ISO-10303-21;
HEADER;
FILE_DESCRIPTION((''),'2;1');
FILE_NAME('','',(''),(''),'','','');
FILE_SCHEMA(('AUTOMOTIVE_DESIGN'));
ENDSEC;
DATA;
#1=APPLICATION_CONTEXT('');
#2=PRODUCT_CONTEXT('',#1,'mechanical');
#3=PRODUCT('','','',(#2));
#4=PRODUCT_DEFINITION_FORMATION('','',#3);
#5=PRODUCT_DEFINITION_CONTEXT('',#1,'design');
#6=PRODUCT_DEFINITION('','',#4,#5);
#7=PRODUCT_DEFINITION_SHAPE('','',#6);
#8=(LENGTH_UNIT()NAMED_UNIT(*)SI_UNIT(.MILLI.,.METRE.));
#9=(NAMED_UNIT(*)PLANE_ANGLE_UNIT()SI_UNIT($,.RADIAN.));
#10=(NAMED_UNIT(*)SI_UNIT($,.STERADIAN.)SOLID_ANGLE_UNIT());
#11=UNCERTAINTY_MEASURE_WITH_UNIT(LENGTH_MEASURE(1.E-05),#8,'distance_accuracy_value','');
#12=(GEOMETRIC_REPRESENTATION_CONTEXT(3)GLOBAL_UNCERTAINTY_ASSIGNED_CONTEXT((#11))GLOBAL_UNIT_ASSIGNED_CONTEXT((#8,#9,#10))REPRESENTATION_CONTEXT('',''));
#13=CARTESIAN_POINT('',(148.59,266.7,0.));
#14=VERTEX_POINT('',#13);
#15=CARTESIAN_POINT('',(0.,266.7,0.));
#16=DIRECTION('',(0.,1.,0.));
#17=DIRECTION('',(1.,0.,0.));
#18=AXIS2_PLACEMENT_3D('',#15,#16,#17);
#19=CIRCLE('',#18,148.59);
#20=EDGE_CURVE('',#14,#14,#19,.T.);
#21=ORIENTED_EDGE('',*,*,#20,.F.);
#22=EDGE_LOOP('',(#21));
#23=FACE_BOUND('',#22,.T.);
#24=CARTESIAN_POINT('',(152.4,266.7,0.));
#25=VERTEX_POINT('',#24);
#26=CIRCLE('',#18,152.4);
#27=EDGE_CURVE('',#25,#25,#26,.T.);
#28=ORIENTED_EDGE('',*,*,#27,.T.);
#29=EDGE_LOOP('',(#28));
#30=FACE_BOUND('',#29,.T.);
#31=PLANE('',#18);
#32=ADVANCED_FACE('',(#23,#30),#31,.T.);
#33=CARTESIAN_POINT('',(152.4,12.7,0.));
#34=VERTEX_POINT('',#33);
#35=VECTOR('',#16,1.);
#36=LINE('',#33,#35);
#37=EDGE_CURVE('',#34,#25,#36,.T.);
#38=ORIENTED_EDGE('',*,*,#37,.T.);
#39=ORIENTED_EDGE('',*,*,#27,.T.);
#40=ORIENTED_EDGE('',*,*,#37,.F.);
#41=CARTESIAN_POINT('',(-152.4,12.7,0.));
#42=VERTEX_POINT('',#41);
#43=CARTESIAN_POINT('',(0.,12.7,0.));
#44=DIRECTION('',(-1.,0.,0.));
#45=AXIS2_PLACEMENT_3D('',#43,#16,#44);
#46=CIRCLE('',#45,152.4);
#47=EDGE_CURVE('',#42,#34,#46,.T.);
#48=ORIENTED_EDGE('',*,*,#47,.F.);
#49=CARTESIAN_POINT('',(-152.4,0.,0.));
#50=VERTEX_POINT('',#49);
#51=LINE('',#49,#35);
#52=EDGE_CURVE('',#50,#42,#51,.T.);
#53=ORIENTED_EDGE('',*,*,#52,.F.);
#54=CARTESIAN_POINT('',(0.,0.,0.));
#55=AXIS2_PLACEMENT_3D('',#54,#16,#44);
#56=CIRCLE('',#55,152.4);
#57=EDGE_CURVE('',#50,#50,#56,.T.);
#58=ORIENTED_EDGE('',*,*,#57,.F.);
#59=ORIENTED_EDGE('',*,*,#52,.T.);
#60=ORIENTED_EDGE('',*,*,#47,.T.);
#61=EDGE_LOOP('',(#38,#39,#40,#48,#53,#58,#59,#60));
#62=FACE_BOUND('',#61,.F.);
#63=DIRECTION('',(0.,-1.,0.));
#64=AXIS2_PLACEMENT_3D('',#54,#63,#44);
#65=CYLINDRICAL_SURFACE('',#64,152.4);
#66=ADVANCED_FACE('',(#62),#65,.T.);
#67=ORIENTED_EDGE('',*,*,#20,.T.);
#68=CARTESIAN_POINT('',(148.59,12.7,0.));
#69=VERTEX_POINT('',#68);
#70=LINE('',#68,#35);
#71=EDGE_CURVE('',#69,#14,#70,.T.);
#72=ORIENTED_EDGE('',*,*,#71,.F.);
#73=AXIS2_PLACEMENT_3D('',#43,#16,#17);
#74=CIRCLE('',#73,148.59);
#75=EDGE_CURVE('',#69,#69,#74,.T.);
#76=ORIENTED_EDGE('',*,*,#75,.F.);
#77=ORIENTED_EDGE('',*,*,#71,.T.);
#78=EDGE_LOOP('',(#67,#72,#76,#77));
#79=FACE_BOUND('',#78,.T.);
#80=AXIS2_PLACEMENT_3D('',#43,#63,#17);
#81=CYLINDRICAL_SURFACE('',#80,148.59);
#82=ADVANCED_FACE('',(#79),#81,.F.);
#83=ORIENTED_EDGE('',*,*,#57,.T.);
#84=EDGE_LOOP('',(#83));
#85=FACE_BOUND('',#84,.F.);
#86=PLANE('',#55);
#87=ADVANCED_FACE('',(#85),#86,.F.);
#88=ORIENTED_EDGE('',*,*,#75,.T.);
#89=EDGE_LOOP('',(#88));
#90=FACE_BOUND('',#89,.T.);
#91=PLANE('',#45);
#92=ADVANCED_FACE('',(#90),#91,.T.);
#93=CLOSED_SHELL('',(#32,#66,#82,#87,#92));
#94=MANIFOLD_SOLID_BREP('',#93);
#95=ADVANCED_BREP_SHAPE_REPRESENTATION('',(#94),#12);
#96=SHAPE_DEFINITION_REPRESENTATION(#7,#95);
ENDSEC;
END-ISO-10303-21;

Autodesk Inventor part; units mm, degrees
ref_plane "YZ Plane" through (0, 0, 0) normal (1, 0, 0) x (0, 1, 0)
ref_plane "XZ Plane" through (0, 0, 0) normal (0, 1, 0) x (-1, 0, 0)
ref_plane "XY Plane" through (0, 0, 0) normal (0, 0, 1) x (1, 0, 0)
sketch "Sketch1" plane through (0, 0, 0) normal (0, 1, 0) x (-1, 0, 0)
  circle A0 centre (0, 0) radius 152.4
  dimension "d0" = 304.8
extrude "Extrusion1" add sketch "Sketch1" along normal blind 12.7
sketch "Sketch2" plane through (0, 12.7, 0) normal (0, 1, 0) x (1, 0, 0)
  circle A0 centre (0, 0) radius 152.4 construction
  circle A1 centre (0, 0) radius 152.4
  circle A2 centre (0, 0) radius 148.59
  dimension "d3" = 297.18
extrude "Extrusion2" add sketch "Sketch2" along normal blind 254
properties part number "Bin"
